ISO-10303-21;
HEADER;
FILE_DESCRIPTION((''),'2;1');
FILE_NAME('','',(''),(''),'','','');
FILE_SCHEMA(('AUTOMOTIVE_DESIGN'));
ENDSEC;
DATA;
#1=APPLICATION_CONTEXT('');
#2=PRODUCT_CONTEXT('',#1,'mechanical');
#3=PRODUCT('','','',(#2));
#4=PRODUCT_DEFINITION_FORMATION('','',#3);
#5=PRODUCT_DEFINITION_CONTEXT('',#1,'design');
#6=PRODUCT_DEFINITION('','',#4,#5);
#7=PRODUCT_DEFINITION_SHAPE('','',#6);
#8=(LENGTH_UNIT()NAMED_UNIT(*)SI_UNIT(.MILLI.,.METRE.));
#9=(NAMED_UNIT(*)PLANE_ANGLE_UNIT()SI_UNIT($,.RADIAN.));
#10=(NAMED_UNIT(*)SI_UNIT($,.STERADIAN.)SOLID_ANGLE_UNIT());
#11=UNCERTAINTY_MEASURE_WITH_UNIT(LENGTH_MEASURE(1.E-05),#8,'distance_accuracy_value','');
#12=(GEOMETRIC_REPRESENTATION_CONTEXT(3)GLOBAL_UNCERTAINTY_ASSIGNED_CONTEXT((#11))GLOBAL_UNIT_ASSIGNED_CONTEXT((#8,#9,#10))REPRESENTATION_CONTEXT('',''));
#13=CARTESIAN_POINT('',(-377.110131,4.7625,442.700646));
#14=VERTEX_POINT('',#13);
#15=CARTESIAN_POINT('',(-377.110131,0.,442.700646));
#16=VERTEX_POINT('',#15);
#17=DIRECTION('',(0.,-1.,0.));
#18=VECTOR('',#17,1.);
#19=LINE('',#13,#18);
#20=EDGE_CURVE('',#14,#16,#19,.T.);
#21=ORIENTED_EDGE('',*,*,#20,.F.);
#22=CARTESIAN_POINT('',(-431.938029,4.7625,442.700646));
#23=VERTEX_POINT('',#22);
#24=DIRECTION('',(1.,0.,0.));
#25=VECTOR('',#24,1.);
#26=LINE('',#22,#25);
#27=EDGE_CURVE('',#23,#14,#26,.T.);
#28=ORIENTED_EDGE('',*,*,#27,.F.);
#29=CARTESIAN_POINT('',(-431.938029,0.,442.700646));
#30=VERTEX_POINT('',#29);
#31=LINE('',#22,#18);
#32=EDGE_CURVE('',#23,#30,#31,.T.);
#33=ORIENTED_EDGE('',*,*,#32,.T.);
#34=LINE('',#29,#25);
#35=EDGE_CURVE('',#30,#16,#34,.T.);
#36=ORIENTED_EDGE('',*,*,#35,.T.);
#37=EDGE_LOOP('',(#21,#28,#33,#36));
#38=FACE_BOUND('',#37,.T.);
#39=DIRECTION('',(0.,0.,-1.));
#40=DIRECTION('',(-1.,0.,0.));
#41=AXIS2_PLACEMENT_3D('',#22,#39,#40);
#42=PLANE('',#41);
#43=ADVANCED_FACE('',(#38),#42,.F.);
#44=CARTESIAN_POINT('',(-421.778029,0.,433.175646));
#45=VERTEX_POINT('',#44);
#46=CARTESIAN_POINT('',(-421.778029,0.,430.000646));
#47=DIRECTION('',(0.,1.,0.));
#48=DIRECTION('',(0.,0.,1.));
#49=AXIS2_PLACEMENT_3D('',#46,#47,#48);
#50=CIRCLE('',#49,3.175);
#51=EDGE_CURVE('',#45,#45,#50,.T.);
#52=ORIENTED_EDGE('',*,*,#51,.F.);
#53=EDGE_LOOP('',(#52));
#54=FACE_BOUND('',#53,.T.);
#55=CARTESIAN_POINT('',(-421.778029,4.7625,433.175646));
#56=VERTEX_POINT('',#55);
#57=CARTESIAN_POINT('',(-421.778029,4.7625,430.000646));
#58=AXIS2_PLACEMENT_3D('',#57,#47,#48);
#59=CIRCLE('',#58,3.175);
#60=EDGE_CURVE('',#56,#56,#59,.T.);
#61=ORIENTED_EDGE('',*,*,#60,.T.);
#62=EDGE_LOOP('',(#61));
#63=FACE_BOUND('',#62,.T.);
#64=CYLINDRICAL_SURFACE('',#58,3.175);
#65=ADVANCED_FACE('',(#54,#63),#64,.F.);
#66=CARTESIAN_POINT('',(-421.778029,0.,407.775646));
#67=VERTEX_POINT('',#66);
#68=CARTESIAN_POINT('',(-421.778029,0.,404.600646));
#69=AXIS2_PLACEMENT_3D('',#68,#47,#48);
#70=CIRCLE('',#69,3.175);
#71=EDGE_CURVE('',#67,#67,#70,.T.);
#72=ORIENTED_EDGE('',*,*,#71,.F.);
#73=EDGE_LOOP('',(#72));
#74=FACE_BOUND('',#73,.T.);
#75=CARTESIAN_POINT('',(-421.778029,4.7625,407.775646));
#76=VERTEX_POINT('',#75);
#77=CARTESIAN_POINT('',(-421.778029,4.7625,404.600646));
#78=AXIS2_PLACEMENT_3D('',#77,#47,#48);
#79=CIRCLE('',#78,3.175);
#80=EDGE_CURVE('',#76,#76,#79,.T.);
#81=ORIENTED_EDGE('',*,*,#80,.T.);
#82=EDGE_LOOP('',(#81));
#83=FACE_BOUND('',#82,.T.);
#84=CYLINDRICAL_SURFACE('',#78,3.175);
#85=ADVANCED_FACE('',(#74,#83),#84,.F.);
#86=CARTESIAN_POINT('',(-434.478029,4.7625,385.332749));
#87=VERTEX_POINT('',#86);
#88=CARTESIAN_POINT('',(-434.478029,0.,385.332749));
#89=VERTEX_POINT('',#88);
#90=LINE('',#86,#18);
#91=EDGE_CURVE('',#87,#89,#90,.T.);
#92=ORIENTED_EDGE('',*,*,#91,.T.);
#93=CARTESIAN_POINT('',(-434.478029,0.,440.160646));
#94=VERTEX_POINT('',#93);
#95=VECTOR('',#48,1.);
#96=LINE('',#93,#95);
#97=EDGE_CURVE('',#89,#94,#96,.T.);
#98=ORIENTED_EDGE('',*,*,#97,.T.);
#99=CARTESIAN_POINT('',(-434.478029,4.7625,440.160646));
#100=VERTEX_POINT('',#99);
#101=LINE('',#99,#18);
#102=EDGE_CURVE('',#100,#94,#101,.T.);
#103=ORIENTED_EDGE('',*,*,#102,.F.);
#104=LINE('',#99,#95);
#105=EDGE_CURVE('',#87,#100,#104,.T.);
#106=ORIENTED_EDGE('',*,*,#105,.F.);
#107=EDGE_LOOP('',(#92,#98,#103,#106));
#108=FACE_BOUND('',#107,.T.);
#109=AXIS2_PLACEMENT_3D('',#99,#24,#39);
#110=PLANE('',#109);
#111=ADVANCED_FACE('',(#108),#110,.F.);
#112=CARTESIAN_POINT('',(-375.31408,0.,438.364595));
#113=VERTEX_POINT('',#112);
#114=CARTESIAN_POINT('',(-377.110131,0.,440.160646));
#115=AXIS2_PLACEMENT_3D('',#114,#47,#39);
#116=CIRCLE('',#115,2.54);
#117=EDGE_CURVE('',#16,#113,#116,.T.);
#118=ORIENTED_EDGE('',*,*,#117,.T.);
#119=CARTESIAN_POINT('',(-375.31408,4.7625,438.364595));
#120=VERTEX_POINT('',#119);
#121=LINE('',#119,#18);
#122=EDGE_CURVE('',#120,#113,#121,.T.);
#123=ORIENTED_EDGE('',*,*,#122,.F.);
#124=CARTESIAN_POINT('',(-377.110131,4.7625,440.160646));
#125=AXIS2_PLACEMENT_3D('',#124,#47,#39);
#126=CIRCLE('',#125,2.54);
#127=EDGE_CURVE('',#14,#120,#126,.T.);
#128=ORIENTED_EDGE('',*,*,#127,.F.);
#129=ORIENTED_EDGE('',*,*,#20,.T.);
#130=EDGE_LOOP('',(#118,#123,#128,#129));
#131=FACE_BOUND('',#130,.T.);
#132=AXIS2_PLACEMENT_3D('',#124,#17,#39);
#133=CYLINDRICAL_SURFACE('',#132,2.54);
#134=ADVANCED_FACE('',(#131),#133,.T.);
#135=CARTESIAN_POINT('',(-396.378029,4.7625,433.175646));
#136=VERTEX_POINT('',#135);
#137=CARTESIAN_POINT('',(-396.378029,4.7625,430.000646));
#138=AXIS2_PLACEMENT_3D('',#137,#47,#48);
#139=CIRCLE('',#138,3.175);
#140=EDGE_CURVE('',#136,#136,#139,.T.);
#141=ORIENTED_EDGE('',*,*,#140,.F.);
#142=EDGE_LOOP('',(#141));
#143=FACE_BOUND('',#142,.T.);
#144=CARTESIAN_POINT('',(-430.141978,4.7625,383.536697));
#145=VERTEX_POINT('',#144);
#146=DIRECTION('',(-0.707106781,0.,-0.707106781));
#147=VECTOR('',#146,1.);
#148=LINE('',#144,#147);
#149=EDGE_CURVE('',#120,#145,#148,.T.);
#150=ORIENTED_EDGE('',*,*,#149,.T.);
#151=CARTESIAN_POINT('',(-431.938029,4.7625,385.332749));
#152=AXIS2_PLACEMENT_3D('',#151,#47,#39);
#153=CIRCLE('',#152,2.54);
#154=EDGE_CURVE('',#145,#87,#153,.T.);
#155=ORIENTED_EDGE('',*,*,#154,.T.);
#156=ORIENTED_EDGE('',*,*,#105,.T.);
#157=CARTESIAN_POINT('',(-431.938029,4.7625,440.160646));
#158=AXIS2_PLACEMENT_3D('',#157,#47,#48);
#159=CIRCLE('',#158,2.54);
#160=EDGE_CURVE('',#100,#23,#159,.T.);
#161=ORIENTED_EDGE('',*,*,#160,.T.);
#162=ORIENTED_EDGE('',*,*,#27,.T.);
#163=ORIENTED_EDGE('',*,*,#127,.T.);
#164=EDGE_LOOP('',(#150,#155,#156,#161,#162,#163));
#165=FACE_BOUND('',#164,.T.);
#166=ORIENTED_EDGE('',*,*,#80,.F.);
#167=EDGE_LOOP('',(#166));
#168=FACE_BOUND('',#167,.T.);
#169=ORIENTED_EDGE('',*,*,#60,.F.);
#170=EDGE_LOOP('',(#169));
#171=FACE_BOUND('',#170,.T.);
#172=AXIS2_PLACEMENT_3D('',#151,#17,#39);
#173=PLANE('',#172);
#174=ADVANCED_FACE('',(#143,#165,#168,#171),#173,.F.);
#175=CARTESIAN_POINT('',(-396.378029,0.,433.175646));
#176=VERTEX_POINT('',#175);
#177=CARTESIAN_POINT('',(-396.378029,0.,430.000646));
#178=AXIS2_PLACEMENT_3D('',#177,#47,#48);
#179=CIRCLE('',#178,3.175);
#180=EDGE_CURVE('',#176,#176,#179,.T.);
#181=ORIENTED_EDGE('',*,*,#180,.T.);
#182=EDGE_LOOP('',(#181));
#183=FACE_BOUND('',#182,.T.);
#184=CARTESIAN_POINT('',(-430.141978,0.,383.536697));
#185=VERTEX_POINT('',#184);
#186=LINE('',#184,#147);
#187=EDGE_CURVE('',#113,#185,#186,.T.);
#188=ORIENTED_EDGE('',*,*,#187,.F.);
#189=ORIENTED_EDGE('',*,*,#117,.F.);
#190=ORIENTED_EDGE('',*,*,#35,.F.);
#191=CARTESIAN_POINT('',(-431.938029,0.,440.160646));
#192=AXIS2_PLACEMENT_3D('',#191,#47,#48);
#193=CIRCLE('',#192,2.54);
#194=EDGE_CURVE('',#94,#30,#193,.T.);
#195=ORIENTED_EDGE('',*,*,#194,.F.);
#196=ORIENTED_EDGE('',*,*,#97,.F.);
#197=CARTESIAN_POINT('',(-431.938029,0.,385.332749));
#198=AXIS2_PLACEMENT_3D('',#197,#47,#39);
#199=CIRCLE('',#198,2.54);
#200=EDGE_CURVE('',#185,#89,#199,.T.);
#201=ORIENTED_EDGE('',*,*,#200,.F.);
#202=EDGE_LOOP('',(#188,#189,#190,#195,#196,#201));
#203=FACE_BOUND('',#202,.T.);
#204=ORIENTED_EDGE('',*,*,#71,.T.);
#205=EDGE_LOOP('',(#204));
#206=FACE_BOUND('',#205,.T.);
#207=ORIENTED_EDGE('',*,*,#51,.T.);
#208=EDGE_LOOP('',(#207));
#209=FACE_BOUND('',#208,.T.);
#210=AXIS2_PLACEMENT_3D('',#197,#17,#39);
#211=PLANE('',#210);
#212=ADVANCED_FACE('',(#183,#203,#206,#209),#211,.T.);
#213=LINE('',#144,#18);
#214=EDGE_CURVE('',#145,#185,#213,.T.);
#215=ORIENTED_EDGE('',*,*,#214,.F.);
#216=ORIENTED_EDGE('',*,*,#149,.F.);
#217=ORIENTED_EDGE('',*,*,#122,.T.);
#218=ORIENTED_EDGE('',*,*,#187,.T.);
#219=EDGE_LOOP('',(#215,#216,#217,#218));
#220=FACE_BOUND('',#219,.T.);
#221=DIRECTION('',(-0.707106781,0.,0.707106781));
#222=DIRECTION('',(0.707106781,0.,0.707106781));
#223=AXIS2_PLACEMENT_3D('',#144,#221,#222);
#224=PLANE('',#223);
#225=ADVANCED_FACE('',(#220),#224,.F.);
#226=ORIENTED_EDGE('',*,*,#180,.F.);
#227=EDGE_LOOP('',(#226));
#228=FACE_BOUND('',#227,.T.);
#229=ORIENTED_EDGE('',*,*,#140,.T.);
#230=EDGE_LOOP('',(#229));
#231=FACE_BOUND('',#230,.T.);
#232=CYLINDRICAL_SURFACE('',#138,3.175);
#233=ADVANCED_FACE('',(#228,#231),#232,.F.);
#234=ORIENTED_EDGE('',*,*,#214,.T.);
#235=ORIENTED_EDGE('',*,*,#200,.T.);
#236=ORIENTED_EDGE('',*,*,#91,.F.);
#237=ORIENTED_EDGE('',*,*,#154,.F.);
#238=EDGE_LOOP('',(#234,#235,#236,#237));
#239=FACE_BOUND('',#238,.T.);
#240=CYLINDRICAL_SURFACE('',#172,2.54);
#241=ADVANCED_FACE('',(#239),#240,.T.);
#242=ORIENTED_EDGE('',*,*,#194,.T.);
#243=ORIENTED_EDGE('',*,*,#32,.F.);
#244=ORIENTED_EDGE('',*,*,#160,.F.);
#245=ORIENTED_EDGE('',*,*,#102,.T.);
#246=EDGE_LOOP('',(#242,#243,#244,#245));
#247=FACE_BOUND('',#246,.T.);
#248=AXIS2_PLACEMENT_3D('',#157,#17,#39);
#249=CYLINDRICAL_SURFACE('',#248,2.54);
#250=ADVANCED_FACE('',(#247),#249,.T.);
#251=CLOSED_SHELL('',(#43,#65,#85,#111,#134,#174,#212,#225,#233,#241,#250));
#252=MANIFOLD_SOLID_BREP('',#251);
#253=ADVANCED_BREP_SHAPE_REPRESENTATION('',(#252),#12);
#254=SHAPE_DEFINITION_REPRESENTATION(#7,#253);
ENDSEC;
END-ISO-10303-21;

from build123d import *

# Parameters (mm, degrees)
BOSS_EXTRUDE1_DEPTH         = 4.7625
F_1_4_0_25_DIAMETER_HOLE1_D = 6.35


with BuildPart() as part:
    # Sketch1 → Boss-Extrude1 (new body)
    with BuildSketch(Plane(origin=(0, 0, 0), x_dir=(1, 0, 0), z_dir=(0, 1, 0))):
        with BuildLine():
            Line((-431.938028743, -442.700646237), (-377.110131192, -442.700646237))
            ThreePointArc((-377.110131192, -442.700646237), (-374.763477179, -441.132662155), (-375.314079967, -438.364595013))
            Line((-375.314079967, -438.364595013), (-430.141977519, -383.536697461))
            ThreePointArc((-430.141977519, -383.536697461), (-432.910044661, -382.986094673), (-434.478028743, -385.332748685))
            Line((-434.478028743, -385.332748685), (-434.478028743, -440.160646237))
            ThreePointArc((-434.478028743, -440.160646237), (-433.734079967, -441.956697461), (-431.938028743, -442.700646237))
        make_face()
    extrude(amount=BOSS_EXTRUDE1_DEPTH)

    # 1/4 (0.25) Diameter Hole1 (through all)
    with Locations(Plane(origin=(0, 4.7625, 0), x_dir=(1, 0, 0), z_dir=(0, 1, 0))):
        with Locations((-421.778028743, -404.600646237), (-421.778028743, -430.000646237), (-396.378028743, -430.000646237)):
            Hole(F_1_4_0_25_DIAMETER_HOLE1_D / 2)


solid = part.part
